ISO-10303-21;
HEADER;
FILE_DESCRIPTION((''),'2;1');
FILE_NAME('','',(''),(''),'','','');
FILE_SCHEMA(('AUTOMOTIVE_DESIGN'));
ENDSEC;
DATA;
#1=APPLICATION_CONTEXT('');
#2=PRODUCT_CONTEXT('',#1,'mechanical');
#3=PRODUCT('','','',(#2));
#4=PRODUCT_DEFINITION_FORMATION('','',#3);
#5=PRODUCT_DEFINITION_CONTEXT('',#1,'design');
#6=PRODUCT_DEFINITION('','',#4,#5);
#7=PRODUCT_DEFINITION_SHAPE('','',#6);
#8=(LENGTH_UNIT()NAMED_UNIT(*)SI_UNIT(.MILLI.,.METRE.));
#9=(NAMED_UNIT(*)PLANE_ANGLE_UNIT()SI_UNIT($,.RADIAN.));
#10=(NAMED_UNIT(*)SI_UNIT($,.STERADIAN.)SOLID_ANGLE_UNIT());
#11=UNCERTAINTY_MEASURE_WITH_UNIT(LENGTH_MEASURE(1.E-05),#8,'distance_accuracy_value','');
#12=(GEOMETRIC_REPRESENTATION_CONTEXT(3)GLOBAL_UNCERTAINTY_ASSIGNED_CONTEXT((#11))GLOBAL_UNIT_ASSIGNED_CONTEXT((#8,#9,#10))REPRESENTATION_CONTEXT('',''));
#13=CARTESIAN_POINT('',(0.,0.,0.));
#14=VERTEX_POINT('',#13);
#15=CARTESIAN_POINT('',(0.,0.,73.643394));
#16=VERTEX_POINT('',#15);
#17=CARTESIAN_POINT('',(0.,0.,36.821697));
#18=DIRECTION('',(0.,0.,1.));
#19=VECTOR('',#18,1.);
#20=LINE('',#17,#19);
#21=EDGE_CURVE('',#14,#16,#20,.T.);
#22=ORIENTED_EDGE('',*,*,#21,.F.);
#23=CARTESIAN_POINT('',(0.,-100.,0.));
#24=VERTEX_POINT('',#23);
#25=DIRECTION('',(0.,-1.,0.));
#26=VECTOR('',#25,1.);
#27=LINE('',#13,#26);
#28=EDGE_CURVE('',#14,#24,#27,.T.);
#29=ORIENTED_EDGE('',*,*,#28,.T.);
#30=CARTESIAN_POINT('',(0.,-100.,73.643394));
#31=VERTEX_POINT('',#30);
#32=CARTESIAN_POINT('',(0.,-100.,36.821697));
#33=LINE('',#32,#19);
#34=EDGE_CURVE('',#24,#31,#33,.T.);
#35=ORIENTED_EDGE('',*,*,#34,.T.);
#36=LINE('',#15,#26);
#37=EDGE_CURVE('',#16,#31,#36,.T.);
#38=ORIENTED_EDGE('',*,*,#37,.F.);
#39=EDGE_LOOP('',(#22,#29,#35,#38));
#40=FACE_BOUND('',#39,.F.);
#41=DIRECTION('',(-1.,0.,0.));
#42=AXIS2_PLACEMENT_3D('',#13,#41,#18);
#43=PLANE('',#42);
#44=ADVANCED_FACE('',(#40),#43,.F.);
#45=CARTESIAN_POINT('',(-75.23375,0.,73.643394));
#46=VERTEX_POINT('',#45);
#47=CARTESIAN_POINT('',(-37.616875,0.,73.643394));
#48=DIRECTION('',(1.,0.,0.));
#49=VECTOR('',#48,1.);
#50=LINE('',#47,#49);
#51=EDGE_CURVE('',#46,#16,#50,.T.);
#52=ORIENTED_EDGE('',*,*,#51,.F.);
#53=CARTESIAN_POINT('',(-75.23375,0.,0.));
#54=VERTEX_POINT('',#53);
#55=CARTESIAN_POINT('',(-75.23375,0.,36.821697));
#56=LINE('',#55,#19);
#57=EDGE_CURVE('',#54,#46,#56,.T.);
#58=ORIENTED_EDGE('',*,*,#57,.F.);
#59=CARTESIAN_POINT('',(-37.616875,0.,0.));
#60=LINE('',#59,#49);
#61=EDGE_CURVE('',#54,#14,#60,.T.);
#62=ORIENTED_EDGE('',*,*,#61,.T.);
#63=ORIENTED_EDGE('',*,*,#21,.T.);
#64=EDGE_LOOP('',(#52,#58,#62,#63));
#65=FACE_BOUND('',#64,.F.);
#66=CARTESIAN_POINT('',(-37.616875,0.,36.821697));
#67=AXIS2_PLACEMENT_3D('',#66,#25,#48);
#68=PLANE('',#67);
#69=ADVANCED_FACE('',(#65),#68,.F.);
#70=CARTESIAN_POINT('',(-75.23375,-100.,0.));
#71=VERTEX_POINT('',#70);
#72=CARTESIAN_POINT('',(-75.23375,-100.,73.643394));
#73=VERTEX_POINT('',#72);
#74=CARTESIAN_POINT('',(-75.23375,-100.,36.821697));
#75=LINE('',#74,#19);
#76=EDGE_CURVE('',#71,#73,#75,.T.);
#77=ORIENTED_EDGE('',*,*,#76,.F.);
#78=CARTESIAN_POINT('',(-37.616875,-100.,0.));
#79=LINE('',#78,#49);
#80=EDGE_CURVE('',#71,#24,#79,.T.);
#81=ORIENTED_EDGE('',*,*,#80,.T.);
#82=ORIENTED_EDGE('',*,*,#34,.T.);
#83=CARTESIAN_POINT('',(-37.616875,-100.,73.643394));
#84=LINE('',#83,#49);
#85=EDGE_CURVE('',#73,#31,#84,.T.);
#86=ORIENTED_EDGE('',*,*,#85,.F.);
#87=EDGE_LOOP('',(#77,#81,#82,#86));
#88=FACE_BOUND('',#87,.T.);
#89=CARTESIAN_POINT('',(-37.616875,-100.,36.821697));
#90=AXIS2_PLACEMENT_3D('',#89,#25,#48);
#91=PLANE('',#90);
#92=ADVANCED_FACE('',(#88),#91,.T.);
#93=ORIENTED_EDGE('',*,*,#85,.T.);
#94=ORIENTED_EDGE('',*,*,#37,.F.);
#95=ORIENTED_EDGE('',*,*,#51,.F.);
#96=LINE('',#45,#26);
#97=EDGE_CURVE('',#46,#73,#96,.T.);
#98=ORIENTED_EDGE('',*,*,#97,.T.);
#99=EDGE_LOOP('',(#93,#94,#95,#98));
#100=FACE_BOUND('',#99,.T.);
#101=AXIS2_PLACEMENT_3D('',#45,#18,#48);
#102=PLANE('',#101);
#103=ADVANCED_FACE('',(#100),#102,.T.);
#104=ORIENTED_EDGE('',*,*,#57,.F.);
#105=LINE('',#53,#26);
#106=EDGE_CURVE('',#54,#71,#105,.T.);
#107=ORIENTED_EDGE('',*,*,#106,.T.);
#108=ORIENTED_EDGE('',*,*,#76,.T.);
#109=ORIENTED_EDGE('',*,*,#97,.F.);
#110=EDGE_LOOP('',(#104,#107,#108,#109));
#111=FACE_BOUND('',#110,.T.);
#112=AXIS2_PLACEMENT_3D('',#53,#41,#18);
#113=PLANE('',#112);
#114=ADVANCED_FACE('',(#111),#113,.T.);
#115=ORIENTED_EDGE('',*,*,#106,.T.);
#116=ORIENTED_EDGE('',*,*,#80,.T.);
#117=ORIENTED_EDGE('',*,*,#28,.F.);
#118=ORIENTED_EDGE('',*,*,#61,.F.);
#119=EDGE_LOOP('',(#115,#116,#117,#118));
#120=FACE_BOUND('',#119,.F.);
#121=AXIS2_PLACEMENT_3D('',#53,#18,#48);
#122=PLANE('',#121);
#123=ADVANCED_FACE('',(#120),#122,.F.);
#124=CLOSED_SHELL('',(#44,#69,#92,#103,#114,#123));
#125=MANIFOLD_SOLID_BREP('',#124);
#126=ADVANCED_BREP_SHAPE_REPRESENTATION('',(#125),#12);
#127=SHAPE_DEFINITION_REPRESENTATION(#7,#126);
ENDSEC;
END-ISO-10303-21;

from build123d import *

# Parameters (mm, degrees)
F0_W     = 75.23375
F0_H     = 73.643394
F1_DEPTH = 100
F2_R     = 26.794251
F2_R_2   = 13.258237
F3_DEPTH = 75
F4_R     = 26.323193
F5_DEPTH = 50


with BuildPart() as f1:
    # F0 (on Front) → F1 (new body)
    with BuildSketch(Plane.XZ):
        with Locations((-37.616875, 36.821697)):
            Rectangle(F0_W, F0_H)
    extrude(amount=F1_DEPTH)

    # F2 (on face) → F3 (join)
    with BuildSketch(Plane.XZ.offset(100)):
        with Locations((-41.986048, 33.408221)):
            Circle(F2_R)
        with Locations((-41.986048, 33.408221)):
            Circle(F2_R_2, mode=Mode.SUBTRACT)
    extrude(amount=-F3_DEPTH)

    # F4 (on face) → F5 (join)
    with BuildSketch(Plane.XZ.offset(100)):
        with Locations((-41.341685, 35.241015)):
            Circle(F4_R)
    extrude(amount=-F5_DEPTH)


solid = f1.part
